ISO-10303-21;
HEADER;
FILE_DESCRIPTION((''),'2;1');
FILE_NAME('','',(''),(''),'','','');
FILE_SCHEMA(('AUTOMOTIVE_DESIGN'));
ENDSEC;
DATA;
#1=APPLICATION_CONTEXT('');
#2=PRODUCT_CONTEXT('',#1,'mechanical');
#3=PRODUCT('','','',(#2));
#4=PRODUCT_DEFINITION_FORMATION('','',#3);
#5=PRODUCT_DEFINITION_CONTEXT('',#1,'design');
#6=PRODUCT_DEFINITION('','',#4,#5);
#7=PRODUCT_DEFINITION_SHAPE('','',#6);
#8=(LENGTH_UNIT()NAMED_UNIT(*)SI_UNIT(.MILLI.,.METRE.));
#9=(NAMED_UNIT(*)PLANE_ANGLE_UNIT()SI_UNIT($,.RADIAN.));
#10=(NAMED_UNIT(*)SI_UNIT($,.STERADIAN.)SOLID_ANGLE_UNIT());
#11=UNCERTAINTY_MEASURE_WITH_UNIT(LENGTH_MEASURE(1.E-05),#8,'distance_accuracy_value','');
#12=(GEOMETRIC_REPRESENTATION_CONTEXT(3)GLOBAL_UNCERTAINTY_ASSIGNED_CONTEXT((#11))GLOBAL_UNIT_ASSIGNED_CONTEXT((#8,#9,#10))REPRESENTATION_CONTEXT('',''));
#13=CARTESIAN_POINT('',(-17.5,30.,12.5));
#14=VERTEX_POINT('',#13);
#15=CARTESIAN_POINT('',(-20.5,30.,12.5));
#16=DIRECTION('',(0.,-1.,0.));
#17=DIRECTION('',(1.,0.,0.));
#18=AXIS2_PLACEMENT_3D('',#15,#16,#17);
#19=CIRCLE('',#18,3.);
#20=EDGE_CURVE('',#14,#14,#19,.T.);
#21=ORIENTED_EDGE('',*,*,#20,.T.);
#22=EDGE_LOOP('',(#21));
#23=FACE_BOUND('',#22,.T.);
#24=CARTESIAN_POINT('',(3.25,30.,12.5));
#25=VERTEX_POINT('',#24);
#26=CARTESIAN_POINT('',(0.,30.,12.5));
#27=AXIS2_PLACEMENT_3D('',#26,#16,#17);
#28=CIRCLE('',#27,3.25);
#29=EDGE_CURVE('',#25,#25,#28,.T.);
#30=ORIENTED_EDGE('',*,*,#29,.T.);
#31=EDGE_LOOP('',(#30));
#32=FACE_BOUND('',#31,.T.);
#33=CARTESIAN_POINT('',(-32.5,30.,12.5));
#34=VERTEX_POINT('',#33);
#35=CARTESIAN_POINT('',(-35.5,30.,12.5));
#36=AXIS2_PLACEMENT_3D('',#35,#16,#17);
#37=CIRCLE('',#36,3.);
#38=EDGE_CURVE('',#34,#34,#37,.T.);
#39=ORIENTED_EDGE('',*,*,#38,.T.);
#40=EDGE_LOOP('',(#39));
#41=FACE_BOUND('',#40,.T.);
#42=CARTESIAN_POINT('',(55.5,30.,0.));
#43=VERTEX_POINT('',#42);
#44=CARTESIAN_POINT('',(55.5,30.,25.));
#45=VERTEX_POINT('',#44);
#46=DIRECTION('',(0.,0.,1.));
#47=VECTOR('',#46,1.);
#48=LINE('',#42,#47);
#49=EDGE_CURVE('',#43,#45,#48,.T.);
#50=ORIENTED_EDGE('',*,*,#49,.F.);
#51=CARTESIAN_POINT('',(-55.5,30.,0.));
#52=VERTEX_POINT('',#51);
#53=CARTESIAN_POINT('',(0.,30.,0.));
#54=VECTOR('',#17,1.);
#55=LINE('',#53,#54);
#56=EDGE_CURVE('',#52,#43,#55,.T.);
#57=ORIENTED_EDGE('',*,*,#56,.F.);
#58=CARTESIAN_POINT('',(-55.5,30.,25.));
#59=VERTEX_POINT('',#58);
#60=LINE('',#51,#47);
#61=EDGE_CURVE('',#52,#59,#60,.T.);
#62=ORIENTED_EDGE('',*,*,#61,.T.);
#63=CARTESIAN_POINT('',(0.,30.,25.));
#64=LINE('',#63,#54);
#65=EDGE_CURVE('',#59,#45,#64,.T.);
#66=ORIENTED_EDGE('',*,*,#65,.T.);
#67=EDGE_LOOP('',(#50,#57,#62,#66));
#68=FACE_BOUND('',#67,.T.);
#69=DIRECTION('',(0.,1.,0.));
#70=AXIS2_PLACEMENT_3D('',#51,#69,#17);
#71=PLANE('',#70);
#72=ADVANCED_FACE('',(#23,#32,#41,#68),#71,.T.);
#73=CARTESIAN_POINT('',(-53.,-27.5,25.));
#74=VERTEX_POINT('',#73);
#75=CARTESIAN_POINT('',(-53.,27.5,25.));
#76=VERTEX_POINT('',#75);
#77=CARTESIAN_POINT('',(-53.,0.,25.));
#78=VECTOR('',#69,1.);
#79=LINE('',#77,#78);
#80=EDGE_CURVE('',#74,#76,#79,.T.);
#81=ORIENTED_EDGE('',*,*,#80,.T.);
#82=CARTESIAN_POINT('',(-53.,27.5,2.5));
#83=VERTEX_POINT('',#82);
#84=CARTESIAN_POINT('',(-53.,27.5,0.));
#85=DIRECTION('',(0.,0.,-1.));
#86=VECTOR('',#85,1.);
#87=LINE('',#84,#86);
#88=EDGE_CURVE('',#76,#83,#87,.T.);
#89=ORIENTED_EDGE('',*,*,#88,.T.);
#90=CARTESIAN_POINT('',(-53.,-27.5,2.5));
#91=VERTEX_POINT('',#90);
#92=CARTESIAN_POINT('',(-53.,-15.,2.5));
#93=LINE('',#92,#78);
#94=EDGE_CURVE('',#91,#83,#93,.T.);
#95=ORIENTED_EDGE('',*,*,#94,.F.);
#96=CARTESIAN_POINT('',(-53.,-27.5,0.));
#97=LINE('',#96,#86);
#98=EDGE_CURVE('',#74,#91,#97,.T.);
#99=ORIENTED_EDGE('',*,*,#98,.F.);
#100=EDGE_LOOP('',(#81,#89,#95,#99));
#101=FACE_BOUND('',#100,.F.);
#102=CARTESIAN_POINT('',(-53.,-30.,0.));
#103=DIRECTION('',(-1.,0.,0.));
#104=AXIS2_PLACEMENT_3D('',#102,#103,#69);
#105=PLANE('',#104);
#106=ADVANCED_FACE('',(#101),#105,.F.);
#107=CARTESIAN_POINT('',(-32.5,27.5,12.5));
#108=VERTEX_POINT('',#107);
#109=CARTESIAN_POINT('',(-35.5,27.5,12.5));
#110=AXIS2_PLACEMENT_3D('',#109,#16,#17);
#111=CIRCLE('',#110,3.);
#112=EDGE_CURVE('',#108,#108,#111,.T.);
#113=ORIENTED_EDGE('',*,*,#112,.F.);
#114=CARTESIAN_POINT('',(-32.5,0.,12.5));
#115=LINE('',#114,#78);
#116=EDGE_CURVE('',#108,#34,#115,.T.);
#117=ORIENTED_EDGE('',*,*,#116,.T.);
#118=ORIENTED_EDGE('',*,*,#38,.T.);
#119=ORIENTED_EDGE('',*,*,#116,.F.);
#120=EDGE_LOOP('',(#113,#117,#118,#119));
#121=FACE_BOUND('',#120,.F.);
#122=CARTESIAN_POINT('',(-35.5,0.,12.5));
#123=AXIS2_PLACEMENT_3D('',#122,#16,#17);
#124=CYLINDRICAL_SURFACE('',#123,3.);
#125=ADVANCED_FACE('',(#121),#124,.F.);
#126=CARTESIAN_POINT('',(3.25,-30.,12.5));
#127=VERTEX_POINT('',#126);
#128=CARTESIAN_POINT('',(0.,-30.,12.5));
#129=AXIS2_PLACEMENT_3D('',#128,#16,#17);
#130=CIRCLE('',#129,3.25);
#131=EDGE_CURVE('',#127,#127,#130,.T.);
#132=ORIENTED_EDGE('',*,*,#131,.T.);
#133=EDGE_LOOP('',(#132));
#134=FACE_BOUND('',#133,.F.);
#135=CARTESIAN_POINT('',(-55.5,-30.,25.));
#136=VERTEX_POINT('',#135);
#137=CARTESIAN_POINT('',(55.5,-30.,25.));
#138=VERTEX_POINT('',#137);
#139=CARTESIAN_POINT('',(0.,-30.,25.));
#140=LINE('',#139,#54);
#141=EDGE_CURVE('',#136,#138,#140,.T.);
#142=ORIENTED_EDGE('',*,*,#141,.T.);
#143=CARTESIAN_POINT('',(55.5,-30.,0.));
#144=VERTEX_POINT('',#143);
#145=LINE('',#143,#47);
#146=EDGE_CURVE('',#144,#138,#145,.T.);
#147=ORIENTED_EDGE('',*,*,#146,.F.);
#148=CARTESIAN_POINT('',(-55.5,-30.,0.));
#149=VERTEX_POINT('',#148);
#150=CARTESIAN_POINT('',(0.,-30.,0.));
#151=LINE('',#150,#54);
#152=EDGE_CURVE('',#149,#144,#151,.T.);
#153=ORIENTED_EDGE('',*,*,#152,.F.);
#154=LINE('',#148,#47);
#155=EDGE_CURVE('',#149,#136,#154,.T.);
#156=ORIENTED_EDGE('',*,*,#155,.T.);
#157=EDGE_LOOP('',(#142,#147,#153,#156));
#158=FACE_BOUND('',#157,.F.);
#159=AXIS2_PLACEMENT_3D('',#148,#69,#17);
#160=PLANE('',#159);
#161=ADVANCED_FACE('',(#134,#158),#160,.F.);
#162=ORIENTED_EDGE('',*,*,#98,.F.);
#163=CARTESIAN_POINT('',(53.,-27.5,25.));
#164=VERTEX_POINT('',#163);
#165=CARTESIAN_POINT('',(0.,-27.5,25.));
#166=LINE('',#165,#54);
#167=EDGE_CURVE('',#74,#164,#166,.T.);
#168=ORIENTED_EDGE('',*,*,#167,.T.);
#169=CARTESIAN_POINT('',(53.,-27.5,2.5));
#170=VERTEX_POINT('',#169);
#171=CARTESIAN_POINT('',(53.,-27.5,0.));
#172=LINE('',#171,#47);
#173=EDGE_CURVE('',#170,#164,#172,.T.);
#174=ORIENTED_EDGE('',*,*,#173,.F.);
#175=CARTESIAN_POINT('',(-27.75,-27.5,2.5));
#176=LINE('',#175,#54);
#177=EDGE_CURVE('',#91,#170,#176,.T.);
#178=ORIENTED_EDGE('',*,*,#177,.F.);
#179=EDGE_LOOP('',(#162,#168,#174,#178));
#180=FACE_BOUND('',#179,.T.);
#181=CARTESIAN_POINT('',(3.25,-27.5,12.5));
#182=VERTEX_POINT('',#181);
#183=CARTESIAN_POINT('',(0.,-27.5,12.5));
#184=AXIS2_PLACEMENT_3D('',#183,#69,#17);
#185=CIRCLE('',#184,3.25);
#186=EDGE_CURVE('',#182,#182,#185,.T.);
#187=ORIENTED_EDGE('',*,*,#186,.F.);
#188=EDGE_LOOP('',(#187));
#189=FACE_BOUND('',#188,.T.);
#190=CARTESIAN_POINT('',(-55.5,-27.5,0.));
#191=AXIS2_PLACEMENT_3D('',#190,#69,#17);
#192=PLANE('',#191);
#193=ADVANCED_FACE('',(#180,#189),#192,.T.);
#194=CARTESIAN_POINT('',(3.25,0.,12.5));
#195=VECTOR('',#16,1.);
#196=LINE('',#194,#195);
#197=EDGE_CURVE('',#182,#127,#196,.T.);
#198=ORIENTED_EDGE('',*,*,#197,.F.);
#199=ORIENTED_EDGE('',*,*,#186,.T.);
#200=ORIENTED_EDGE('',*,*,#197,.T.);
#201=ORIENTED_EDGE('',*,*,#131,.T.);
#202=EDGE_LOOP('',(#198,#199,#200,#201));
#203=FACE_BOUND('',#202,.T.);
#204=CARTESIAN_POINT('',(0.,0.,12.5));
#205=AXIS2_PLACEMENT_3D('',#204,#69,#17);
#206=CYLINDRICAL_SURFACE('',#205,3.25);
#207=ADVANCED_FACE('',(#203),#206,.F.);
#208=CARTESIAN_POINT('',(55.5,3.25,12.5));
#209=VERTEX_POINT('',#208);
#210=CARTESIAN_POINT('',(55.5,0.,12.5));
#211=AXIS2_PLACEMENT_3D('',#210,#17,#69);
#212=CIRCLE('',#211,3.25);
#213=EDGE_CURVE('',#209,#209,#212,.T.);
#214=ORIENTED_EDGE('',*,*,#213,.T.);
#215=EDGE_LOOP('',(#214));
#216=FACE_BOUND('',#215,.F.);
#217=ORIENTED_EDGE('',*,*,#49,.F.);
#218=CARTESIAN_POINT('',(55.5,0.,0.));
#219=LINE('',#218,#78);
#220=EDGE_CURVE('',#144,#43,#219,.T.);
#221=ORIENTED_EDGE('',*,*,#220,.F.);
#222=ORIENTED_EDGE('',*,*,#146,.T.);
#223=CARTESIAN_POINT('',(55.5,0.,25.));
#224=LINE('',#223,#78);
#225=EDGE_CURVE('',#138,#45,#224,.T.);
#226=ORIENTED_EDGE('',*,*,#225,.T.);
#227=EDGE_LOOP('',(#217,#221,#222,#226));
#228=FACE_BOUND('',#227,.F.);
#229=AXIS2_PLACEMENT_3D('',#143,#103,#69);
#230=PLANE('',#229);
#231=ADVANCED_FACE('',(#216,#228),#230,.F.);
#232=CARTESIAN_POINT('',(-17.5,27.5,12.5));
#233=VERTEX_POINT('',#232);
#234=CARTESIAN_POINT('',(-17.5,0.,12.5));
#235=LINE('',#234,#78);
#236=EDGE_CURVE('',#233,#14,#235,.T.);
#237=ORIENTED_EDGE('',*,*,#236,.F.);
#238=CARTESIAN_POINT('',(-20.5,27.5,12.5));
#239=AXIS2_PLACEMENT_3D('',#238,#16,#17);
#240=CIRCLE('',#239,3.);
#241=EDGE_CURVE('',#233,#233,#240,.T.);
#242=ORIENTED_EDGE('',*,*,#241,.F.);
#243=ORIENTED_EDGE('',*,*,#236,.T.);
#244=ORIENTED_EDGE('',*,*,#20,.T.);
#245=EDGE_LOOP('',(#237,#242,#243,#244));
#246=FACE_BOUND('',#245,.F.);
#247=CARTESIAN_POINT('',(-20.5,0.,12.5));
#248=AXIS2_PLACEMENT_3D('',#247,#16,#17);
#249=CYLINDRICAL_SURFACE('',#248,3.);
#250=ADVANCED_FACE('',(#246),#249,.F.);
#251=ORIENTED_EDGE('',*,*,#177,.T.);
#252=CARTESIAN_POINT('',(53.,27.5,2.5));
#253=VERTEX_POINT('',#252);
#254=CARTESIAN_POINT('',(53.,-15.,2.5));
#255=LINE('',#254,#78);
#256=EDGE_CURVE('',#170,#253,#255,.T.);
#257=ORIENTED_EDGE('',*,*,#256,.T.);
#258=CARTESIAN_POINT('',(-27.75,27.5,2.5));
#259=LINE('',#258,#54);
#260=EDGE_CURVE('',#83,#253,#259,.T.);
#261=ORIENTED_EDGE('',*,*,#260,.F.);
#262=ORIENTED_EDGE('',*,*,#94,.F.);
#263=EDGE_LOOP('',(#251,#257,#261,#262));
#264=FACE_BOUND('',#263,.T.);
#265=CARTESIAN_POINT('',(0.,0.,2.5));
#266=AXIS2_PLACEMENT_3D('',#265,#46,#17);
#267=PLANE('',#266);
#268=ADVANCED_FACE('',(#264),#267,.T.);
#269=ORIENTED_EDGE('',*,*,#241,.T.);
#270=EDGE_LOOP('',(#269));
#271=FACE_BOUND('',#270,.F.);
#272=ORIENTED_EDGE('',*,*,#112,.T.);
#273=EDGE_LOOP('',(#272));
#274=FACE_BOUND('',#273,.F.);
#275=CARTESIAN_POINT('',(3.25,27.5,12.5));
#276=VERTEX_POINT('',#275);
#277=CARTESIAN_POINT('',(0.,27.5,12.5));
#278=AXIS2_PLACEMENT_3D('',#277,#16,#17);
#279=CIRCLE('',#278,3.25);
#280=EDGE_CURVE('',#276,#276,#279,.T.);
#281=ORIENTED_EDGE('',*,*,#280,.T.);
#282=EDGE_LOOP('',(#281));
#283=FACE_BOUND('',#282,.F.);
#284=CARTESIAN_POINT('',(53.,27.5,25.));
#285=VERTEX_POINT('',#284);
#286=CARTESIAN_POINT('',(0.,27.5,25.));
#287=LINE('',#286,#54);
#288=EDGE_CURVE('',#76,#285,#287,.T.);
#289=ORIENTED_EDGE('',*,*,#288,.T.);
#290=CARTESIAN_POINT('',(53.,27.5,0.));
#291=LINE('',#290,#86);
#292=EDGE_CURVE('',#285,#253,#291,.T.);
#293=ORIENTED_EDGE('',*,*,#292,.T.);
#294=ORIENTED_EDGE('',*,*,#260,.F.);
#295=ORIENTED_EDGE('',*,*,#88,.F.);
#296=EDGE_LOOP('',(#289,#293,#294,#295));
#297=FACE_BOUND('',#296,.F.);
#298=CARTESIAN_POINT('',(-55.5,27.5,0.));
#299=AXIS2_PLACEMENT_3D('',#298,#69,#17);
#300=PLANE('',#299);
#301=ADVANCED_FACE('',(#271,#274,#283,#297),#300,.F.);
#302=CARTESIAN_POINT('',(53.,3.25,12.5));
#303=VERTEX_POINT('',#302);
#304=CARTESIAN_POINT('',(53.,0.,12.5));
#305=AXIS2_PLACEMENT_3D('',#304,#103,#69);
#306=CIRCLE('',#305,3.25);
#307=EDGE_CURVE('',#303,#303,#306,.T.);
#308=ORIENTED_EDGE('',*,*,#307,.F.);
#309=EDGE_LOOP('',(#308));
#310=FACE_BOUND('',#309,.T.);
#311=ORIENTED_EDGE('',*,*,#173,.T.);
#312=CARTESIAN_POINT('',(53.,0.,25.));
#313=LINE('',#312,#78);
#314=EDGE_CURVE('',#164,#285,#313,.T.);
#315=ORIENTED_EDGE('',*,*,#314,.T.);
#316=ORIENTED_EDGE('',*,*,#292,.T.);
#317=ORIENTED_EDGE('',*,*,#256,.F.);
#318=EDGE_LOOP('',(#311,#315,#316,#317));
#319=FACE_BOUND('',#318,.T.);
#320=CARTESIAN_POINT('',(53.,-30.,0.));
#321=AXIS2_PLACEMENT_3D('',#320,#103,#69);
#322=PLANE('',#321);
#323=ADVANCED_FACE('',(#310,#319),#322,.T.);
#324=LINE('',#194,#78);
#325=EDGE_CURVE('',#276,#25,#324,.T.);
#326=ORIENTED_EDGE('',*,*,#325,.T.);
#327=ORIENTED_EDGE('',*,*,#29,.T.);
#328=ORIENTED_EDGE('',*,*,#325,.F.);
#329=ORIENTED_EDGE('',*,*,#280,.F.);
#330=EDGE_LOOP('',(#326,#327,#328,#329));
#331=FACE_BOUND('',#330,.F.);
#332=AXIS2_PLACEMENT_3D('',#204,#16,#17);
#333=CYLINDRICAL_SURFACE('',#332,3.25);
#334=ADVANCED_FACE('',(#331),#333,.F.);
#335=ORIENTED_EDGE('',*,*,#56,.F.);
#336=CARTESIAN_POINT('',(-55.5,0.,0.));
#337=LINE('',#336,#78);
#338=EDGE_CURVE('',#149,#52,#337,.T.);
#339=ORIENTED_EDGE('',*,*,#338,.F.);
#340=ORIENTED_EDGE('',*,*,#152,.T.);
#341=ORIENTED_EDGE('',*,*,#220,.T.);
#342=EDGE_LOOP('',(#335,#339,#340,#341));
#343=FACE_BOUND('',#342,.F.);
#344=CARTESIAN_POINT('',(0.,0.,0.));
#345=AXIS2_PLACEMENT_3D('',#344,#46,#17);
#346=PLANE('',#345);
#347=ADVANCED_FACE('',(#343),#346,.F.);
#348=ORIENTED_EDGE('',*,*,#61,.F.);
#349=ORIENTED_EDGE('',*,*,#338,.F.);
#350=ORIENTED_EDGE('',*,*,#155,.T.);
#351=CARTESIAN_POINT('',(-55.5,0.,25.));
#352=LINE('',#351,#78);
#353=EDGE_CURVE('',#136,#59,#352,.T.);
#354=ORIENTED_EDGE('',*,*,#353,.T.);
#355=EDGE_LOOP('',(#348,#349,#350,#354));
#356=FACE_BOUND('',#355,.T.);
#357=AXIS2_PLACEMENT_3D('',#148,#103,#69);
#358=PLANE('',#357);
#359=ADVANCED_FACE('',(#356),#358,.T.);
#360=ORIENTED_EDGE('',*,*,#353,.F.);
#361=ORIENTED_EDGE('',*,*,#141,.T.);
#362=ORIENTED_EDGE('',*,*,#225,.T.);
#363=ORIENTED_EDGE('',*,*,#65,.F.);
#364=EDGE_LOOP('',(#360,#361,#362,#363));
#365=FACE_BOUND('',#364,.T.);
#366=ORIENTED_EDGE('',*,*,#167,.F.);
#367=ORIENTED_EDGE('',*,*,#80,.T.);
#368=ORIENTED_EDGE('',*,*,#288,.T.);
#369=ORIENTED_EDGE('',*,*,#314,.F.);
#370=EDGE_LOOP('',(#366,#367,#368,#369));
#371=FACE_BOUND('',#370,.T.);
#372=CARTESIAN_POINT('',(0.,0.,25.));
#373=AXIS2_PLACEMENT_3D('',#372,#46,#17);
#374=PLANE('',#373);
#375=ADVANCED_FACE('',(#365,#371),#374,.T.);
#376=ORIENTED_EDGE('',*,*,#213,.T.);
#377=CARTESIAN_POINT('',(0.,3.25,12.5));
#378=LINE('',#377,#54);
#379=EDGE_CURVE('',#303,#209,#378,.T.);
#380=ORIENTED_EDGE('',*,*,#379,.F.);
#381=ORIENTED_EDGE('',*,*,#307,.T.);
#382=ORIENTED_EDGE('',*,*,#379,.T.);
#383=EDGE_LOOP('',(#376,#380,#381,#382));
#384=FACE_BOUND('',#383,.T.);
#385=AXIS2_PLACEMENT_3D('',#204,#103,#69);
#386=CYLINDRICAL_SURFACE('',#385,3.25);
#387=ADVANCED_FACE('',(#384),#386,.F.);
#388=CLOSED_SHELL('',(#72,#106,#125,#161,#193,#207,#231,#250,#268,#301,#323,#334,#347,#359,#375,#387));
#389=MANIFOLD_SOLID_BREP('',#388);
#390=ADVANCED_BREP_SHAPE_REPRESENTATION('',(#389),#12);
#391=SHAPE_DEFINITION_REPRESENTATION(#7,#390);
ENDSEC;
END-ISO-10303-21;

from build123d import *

# Parameters (mm, degrees)
F0_W          = 111
F0_H          = 60
F1_DEPTH      = 25
F2_T          = -2.5
F3_R          = 3.25
F4_DEPTH      = 55.5
F5_R          = 3.25
F6_DEPTH      = 30
F6_DEPTH_BACK = 30
F7_R          = 3
F8_DEPTH      = 30


with BuildPart() as f1:
    # F0 (on Top) → F1 (new body)
    with BuildSketch(Plane.XY):
        Rectangle(F0_W, F0_H)
    extrude(amount=F1_DEPTH)

    # F2
    f2_openings = [f1.faces().sort_by_distance(p)[0] for p in [
        (0, 0, 25),
    ]]
    offset(amount=F2_T, openings=f2_openings)

    # F3 (on Right) → F4 (cut, through all)
    with BuildSketch(Plane.YZ):
        with Locations((0, 12.5)):
            Circle(F3_R)
    extrude(amount=F4_DEPTH, mode=Mode.SUBTRACT)

    # F5 (on Front) → F6 (cut, two sides)
    with BuildSketch(Plane.XZ) as f6_sk:
        with Locations((0, 12.5)):
            Circle(F5_R)
    extrude(amount=-F6_DEPTH, mode=Mode.SUBTRACT)
    extrude(f6_sk.sketch, amount=F6_DEPTH_BACK, mode=Mode.SUBTRACT)

    # F7 (on Front) → F8 (cut, through all)
    with BuildSketch(Plane.XZ):
        with Locations((-35.5, 12.5)):
            Circle(F7_R)
        with Locations((-20.5, 12.5)):
            Circle(F7_R)
    extrude(amount=-F8_DEPTH, mode=Mode.SUBTRACT)


solid = f1.part
